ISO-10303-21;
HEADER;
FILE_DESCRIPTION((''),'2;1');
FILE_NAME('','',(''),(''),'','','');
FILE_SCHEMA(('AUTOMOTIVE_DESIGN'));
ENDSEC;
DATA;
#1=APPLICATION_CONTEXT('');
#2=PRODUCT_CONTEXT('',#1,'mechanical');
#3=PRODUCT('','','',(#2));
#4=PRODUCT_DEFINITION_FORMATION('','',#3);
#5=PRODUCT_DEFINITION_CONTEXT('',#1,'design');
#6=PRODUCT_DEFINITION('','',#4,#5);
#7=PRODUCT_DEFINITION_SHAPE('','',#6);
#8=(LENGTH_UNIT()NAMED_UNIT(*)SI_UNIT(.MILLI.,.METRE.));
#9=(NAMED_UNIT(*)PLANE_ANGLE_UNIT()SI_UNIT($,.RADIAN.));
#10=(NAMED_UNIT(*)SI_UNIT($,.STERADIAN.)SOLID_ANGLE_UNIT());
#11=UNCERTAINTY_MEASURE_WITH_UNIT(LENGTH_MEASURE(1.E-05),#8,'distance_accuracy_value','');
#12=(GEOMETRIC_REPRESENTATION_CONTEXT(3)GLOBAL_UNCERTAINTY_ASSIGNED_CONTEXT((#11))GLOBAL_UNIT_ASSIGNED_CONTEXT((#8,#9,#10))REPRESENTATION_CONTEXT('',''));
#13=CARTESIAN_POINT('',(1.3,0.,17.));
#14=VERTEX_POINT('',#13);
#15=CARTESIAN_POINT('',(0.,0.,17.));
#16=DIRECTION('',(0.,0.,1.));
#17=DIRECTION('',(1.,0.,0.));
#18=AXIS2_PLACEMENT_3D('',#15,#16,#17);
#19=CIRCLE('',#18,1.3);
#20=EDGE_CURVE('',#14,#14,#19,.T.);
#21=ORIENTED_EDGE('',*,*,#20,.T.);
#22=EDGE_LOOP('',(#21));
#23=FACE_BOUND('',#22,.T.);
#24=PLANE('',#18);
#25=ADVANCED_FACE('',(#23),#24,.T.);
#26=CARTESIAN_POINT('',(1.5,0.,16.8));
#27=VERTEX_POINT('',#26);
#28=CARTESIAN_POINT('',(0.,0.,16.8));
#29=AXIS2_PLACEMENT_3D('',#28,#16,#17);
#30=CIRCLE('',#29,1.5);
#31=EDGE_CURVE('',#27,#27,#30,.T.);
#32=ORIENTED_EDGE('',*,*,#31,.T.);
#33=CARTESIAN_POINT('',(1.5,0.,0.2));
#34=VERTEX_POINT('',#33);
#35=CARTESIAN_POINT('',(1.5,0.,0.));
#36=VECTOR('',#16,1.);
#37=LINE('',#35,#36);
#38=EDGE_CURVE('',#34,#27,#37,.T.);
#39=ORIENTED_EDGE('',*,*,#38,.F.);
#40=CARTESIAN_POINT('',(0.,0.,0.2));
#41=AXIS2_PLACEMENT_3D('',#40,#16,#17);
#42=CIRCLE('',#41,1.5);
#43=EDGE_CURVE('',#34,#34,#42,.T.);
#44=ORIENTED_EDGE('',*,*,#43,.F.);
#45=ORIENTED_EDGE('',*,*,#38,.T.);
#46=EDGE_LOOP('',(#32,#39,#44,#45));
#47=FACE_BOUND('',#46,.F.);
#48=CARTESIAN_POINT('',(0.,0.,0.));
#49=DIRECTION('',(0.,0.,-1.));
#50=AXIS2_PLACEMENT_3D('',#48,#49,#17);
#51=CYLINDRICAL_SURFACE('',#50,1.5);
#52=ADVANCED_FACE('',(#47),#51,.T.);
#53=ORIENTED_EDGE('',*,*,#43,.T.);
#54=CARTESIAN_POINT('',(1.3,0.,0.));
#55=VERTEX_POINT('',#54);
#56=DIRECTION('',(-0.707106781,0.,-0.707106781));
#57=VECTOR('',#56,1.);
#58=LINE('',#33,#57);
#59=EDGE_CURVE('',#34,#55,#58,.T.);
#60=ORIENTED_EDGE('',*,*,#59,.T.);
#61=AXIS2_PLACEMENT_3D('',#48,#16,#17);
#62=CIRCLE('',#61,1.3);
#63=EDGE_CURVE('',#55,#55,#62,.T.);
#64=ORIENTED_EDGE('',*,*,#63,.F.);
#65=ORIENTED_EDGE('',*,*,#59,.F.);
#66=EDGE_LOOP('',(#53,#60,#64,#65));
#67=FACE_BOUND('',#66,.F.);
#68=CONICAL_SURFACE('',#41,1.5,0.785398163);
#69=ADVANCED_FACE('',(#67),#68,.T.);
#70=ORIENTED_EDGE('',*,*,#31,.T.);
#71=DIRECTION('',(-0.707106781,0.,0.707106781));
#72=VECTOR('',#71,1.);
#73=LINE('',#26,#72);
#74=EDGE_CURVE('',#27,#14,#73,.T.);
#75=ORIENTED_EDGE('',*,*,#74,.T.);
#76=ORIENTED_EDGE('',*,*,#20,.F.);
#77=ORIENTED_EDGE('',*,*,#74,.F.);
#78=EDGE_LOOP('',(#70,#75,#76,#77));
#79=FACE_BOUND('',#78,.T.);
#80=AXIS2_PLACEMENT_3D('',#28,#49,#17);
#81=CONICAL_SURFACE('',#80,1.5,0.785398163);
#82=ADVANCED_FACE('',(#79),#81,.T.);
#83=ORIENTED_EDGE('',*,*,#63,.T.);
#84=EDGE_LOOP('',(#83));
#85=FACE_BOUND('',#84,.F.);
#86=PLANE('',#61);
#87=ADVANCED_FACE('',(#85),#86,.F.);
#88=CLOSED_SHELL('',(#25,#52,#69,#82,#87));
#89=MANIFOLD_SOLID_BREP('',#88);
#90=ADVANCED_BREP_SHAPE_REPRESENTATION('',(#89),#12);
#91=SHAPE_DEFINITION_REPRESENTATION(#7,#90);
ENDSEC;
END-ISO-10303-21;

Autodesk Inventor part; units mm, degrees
ref_plane "YZ Plane" through (0, 0, 0) normal (1, 0, 0) x (0, 1, 0)
ref_plane "XZ Plane" through (0, 0, 0) normal (0, 1, 0) x (-1, 0, 0)
ref_plane "XY Plane" through (0, 0, 0) normal (0, 0, 1) x (1, 0, 0)
sketch "Sketch1" plane through (0, 0, 0) normal (0, 0, 1) x (1, 0, 0)
  circle A0 centre (0, 0) radius 1.5
  dimension "d0" = 3
extrude "Extrusion1" add sketch "Sketch1" along normal blind 17
chamfer "Chamfer1" distance 0.2 angle 45 2 edges at (-1.5, 0, 17) (-1.5, 0, 0)
properties part number "Shaft_3x17"
